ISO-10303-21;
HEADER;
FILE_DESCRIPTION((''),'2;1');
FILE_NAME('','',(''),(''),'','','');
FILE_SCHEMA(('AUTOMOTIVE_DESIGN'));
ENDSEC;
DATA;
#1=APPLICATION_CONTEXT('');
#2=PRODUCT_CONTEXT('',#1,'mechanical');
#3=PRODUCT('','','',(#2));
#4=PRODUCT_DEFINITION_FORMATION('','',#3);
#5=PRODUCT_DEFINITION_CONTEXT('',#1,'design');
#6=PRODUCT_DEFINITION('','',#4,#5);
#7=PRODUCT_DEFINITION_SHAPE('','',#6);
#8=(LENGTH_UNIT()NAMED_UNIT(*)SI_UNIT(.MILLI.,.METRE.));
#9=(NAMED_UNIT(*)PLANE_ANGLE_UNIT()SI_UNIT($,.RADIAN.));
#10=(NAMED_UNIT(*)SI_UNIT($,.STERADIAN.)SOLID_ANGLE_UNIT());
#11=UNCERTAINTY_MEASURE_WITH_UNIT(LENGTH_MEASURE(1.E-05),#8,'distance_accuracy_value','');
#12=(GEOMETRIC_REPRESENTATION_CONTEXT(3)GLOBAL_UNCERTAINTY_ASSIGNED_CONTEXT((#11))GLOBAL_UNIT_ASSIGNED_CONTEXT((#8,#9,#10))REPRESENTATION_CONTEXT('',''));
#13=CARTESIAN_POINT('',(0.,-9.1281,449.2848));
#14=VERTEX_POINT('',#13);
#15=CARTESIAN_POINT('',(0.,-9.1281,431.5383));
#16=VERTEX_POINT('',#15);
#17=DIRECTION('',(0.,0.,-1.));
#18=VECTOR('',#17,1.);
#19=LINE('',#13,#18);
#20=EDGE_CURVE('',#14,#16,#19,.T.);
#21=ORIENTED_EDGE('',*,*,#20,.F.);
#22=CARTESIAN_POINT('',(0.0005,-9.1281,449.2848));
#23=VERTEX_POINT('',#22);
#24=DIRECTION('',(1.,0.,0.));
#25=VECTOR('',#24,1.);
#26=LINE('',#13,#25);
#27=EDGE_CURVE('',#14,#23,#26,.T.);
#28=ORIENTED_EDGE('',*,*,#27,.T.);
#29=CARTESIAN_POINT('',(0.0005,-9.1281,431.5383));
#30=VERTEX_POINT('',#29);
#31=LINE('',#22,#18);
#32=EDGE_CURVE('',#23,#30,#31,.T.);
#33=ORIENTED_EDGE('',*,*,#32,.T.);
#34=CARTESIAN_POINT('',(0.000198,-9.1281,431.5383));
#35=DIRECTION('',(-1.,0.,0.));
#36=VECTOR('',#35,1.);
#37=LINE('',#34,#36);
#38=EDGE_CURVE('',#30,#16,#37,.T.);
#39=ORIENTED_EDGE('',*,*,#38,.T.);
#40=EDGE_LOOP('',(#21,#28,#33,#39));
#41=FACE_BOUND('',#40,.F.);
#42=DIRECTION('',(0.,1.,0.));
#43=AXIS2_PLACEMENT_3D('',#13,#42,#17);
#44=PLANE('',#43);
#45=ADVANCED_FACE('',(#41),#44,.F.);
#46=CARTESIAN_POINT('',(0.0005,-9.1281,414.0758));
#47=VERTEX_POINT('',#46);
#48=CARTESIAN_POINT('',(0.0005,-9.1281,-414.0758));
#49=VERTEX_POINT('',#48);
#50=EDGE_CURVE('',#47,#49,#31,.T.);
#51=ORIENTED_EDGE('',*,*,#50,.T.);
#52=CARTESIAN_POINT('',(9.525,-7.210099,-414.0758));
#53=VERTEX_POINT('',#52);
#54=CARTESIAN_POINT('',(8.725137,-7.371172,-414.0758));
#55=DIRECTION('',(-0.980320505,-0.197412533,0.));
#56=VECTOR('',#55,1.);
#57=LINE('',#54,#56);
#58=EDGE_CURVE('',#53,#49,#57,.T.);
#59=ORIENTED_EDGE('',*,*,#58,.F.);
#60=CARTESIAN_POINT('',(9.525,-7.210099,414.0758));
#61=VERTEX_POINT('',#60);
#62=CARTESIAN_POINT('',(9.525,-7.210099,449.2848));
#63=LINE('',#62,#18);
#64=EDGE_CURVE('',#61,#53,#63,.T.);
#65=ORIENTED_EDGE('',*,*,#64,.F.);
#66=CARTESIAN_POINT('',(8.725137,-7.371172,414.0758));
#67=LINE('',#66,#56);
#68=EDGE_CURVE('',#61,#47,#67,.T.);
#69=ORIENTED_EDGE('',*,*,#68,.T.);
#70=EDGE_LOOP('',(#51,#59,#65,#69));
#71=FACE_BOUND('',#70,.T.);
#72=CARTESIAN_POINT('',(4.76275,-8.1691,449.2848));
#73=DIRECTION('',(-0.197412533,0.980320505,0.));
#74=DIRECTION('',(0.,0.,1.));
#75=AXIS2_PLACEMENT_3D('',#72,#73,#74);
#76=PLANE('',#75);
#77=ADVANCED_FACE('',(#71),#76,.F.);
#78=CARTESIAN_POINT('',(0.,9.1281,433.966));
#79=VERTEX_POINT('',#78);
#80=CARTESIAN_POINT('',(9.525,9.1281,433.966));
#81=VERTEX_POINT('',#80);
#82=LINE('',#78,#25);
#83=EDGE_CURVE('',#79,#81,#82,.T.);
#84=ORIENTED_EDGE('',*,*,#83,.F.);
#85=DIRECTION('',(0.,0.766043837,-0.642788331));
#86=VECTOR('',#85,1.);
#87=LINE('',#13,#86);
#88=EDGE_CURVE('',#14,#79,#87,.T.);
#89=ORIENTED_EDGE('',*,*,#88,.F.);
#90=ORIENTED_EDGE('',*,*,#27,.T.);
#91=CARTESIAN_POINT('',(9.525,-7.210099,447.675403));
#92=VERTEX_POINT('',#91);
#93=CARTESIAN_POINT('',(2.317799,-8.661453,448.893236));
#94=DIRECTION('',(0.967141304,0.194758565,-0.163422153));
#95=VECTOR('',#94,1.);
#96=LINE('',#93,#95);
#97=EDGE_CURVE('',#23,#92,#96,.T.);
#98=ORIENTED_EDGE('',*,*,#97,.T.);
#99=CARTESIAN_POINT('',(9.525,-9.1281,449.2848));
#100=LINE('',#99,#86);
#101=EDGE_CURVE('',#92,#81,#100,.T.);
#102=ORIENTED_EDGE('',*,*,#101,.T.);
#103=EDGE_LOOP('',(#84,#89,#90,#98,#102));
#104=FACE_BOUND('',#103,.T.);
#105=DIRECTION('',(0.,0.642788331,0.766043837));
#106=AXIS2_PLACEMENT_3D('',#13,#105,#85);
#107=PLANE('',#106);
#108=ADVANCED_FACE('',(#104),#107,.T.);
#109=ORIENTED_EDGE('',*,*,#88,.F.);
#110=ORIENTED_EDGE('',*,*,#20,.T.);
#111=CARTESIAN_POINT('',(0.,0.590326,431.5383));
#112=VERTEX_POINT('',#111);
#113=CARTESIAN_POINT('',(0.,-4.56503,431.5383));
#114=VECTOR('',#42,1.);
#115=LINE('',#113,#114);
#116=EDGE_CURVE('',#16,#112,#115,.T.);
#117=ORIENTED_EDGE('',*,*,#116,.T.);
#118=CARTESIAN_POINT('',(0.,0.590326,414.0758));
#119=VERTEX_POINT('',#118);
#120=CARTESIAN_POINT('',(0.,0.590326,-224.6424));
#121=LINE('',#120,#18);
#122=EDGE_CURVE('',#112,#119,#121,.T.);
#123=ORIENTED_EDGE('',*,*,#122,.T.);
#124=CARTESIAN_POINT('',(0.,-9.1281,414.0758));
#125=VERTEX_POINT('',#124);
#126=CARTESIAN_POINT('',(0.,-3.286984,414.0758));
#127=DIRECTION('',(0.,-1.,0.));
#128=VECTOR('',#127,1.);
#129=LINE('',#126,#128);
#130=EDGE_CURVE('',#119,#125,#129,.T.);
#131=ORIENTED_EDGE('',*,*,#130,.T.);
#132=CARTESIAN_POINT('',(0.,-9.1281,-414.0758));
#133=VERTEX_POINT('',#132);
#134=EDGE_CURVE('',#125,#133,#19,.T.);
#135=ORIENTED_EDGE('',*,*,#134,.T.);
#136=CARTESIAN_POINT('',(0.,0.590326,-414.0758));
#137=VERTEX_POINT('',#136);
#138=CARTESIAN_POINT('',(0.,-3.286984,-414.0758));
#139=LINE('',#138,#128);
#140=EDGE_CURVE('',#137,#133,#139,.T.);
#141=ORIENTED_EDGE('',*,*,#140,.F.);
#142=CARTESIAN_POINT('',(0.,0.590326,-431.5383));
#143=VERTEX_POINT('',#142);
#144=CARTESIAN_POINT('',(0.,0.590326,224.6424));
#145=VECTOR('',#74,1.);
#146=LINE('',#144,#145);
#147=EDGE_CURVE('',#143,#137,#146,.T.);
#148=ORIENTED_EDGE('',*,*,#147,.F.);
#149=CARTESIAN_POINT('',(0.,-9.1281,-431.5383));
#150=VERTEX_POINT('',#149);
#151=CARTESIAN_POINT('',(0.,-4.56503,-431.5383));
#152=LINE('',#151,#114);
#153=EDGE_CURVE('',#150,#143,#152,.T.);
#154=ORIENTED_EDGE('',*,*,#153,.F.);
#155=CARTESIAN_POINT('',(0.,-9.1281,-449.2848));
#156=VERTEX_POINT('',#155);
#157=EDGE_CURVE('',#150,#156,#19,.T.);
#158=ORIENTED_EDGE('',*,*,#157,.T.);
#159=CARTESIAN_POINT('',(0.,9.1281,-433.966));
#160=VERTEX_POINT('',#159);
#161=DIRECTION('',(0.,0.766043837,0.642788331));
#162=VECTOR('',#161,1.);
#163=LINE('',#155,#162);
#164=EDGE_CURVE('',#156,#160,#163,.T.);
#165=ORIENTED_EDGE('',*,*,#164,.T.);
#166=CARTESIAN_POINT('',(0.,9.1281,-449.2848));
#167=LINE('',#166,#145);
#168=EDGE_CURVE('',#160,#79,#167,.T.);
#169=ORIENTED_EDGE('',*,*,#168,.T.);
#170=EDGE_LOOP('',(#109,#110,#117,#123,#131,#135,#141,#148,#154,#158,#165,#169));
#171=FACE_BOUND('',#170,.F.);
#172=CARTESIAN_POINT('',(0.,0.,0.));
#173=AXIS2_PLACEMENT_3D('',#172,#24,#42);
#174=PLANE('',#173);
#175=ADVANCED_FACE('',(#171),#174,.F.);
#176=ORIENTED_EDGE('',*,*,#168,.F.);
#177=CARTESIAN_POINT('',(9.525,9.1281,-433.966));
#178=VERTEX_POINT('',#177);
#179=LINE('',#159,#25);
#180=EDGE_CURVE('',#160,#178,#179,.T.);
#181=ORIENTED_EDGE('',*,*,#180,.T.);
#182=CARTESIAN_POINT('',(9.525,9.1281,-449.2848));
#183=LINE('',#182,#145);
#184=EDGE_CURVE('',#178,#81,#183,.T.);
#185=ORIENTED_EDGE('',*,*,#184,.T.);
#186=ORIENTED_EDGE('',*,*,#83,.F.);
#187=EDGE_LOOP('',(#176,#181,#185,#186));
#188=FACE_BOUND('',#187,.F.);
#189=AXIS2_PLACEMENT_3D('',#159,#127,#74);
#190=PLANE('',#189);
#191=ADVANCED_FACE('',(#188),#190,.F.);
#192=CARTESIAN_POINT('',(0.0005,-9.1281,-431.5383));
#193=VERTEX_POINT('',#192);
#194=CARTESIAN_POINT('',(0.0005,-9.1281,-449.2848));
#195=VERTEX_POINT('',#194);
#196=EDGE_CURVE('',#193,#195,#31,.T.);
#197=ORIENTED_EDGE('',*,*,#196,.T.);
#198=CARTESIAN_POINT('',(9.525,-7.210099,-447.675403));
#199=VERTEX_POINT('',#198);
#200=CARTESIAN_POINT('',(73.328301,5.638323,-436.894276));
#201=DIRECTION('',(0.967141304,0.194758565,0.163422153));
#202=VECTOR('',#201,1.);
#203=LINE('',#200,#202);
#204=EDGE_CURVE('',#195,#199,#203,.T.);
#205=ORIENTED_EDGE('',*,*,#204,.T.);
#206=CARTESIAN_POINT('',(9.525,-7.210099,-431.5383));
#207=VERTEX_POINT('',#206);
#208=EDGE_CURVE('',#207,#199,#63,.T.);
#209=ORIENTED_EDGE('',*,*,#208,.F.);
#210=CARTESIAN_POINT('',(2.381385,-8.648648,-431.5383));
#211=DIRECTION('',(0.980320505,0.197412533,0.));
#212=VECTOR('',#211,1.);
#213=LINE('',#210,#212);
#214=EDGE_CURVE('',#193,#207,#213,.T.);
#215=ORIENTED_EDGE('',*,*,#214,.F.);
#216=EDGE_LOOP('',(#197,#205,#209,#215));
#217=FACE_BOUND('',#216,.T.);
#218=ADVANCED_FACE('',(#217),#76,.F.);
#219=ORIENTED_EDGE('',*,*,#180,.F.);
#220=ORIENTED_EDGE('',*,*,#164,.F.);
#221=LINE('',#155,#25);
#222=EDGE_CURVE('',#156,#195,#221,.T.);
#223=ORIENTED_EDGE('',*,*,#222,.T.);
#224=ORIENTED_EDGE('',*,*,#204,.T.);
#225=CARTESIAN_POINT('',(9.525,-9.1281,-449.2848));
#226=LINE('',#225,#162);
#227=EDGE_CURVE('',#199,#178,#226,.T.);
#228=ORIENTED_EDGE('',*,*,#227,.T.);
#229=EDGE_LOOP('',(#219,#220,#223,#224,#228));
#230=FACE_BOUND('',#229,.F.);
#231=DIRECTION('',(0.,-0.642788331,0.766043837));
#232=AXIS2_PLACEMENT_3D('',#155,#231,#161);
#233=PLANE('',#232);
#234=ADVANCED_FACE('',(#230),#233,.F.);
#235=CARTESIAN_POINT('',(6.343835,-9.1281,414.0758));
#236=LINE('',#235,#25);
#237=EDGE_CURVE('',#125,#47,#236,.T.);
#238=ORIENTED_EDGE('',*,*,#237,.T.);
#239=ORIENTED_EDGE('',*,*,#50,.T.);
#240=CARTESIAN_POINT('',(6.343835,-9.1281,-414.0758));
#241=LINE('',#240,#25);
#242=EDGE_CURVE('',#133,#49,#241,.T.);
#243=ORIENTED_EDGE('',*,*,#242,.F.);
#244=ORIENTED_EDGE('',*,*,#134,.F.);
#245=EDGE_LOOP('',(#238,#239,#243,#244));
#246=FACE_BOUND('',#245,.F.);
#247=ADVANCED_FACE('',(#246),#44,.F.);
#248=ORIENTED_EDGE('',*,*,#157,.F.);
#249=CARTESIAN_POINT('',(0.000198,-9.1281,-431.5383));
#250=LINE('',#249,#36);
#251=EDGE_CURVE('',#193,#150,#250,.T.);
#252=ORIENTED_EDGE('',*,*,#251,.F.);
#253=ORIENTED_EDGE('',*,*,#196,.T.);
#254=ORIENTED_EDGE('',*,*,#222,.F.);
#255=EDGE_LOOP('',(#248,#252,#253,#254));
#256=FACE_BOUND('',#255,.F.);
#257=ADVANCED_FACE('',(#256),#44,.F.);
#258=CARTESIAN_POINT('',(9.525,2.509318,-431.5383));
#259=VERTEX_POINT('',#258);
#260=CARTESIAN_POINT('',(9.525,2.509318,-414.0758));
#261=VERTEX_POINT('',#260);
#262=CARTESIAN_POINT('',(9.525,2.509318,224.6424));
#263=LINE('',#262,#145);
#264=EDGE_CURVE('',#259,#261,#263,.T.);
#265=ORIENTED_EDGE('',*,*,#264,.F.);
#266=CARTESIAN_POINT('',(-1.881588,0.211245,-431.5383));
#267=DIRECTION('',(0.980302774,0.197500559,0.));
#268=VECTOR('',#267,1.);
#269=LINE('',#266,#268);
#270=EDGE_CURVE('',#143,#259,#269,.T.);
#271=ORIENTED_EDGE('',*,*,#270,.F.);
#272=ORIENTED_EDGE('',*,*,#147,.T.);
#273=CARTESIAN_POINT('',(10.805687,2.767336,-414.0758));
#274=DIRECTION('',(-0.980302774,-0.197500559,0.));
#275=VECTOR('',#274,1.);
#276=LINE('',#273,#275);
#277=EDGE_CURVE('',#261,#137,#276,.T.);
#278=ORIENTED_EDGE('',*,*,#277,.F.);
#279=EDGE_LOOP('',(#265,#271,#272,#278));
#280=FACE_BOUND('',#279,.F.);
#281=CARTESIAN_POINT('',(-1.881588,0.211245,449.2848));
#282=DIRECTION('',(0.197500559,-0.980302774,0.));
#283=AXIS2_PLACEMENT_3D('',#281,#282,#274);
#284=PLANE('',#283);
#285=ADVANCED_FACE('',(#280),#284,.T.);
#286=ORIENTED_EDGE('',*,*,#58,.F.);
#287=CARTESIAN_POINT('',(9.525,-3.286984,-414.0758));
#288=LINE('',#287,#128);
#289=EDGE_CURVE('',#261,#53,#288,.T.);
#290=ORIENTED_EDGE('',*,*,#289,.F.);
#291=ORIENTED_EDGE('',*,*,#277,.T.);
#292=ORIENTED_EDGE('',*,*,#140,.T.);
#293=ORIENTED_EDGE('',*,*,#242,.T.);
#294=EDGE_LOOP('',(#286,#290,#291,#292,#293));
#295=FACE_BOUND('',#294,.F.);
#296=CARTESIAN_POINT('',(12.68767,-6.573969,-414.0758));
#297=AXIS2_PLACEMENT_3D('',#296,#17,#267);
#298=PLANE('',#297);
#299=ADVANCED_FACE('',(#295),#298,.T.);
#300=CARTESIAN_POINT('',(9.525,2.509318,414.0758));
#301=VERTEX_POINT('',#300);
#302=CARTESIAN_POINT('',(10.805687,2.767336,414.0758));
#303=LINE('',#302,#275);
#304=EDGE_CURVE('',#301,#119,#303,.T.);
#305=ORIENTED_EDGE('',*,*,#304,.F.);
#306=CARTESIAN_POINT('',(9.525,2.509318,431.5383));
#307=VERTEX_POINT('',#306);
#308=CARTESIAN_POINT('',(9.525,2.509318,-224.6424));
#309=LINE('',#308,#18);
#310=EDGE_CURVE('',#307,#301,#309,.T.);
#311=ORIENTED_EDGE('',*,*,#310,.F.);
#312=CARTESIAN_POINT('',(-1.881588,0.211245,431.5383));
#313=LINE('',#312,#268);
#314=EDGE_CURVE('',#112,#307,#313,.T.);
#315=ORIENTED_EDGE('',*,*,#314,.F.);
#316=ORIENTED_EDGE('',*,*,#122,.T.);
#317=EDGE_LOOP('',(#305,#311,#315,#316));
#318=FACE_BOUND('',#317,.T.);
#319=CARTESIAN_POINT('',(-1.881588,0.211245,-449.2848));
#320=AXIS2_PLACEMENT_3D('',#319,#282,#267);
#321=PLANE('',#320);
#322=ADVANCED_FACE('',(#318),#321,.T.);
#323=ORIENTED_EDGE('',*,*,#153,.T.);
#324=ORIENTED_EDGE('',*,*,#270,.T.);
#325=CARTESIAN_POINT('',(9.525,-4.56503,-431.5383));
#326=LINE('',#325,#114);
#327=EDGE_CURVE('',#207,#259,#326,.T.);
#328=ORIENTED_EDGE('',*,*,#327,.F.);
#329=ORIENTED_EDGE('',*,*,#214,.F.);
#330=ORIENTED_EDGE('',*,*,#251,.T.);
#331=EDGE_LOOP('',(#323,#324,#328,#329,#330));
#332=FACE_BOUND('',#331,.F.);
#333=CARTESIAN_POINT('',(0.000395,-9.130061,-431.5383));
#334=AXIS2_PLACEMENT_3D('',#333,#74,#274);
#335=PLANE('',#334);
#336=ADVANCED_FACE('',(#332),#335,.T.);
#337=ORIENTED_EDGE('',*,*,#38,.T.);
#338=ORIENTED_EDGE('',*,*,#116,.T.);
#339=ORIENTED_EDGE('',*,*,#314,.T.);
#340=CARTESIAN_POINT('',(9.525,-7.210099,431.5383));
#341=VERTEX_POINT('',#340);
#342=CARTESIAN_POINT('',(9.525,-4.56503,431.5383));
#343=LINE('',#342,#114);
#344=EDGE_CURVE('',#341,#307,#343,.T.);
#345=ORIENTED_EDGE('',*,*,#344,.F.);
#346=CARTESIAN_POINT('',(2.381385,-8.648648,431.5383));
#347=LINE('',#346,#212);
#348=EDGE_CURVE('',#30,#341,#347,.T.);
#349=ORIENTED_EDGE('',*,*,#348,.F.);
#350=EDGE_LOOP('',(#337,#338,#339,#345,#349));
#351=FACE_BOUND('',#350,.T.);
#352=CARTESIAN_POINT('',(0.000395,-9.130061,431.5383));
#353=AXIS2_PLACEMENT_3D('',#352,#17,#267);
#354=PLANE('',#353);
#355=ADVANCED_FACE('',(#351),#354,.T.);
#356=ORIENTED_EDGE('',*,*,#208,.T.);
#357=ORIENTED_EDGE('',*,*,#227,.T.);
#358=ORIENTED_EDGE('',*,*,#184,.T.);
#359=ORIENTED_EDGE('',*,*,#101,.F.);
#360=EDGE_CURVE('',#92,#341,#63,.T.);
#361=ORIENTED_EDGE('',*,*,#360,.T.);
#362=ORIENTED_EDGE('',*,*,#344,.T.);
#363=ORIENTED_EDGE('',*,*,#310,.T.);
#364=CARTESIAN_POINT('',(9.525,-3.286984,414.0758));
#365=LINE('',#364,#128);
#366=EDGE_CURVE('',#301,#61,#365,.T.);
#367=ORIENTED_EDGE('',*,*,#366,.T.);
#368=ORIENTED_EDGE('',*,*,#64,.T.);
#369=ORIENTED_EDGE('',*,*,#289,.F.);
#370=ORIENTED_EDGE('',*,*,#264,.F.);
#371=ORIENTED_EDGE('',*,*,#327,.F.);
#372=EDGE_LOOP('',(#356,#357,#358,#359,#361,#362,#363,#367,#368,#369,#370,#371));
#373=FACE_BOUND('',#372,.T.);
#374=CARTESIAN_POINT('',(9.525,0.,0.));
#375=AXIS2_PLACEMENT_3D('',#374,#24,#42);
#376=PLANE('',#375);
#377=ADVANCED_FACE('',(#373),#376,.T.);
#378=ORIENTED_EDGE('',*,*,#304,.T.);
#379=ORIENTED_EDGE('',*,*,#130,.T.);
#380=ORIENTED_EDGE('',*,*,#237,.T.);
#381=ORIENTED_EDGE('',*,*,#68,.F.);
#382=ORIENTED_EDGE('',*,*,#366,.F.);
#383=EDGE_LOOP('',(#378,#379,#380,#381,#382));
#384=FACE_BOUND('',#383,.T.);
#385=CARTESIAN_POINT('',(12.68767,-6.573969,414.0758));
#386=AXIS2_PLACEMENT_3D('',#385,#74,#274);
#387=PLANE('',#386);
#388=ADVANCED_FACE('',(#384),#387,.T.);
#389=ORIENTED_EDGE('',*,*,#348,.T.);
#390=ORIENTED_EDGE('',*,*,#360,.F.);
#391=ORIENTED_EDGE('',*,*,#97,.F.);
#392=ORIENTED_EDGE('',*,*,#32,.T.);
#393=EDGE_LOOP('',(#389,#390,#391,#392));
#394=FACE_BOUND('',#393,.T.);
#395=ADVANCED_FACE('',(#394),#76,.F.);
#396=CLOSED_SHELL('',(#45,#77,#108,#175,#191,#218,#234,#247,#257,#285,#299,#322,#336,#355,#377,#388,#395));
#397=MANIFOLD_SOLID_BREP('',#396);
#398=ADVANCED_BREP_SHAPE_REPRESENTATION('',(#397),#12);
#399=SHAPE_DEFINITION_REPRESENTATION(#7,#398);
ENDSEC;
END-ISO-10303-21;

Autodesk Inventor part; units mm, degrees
ref_plane "YZ Plane" through (0, 0, 0) normal (1, 0, 0) x (0, 1, 0)
ref_plane "XZ Plane" through (0, 0, 0) normal (0, 1, 0) x (-1, 0, 0)
ref_plane "XY Plane" through (0, 0, 0) normal (0, 0, 1) x (1, 0, 0)
sketch "Sketch1" plane through (0, 0, 0) normal (1, 0, 0) x (0, 1, 0)
  line L0 (-9.1281, -449.2848) -> (9.1281, -449.2848) construction
  line L1 (9.1281, -449.2848) -> (9.1281, 449.2848)
  line L2 (9.1281, 449.2848) -> (-9.1281, 449.2848) construction
  line L3 (-9.1281, 449.2848) -> (-9.1281, -449.2848)
  line L4 (-9.1281, -449.2848) -> (9.1281, 449.2848) construction
  line L5 (9.1281, -449.2848) -> (-9.1281, 449.2848) construction
  line L6 (-9.1281, 449.2848) -> (9.1281, 433.966)
  line L7 (-9.1281, -449.2848) -> (9.1281, -433.966)
  point P0 (0, 0)
  dimension "d0" = 898.5697
  dimension "d1" = 18.2563
  dimension "d16" = 40
  dimension "d17" = 40
extrude "Extrusion1" add sketch "Sketch1" along normal blind 9.525
chamfer "Chamfer1" distance 9.525 angle 11.388 1 edges at (9.525, -9.1281, 0) measured on face at (3.175, -9.1281, 149.7616)
sketch "Sketch4" plane through (0, -9.1281, -449.2848) normal (0.1975, -0.9803, 0) x (0.9803, 0.1975, 0)
  line L0 (0, 880.8231) -> (12.9422, 880.8231)
  line L1 (12.9422, 880.8231) -> (12.9422, 863.3606)
  line L2 (12.9422, 863.3606) -> (0, 863.3606)
  line L3 (0, 863.3606) -> (0, 880.8231)
  line L4 (12.9422, 15.3188) -> (12.9422, 883.2508) projected
  line L5 (0, 898.5697) -> (0, 0) projected
  point P0 (1.8024, 449.2848)
  dimension "d21" = 17.7466
  dimension "d22" = 17.4625
extrude "Extrusion4" cut sketch "Sketch4" against normal blind 9.525
mirror "Mirror2" about plane through (0, 0, 0) normal (0, 0, 1) of "Extrusion4"
properties part number "BASE_SIDEK_TREBUCHET" material "Wood (Birch)"
